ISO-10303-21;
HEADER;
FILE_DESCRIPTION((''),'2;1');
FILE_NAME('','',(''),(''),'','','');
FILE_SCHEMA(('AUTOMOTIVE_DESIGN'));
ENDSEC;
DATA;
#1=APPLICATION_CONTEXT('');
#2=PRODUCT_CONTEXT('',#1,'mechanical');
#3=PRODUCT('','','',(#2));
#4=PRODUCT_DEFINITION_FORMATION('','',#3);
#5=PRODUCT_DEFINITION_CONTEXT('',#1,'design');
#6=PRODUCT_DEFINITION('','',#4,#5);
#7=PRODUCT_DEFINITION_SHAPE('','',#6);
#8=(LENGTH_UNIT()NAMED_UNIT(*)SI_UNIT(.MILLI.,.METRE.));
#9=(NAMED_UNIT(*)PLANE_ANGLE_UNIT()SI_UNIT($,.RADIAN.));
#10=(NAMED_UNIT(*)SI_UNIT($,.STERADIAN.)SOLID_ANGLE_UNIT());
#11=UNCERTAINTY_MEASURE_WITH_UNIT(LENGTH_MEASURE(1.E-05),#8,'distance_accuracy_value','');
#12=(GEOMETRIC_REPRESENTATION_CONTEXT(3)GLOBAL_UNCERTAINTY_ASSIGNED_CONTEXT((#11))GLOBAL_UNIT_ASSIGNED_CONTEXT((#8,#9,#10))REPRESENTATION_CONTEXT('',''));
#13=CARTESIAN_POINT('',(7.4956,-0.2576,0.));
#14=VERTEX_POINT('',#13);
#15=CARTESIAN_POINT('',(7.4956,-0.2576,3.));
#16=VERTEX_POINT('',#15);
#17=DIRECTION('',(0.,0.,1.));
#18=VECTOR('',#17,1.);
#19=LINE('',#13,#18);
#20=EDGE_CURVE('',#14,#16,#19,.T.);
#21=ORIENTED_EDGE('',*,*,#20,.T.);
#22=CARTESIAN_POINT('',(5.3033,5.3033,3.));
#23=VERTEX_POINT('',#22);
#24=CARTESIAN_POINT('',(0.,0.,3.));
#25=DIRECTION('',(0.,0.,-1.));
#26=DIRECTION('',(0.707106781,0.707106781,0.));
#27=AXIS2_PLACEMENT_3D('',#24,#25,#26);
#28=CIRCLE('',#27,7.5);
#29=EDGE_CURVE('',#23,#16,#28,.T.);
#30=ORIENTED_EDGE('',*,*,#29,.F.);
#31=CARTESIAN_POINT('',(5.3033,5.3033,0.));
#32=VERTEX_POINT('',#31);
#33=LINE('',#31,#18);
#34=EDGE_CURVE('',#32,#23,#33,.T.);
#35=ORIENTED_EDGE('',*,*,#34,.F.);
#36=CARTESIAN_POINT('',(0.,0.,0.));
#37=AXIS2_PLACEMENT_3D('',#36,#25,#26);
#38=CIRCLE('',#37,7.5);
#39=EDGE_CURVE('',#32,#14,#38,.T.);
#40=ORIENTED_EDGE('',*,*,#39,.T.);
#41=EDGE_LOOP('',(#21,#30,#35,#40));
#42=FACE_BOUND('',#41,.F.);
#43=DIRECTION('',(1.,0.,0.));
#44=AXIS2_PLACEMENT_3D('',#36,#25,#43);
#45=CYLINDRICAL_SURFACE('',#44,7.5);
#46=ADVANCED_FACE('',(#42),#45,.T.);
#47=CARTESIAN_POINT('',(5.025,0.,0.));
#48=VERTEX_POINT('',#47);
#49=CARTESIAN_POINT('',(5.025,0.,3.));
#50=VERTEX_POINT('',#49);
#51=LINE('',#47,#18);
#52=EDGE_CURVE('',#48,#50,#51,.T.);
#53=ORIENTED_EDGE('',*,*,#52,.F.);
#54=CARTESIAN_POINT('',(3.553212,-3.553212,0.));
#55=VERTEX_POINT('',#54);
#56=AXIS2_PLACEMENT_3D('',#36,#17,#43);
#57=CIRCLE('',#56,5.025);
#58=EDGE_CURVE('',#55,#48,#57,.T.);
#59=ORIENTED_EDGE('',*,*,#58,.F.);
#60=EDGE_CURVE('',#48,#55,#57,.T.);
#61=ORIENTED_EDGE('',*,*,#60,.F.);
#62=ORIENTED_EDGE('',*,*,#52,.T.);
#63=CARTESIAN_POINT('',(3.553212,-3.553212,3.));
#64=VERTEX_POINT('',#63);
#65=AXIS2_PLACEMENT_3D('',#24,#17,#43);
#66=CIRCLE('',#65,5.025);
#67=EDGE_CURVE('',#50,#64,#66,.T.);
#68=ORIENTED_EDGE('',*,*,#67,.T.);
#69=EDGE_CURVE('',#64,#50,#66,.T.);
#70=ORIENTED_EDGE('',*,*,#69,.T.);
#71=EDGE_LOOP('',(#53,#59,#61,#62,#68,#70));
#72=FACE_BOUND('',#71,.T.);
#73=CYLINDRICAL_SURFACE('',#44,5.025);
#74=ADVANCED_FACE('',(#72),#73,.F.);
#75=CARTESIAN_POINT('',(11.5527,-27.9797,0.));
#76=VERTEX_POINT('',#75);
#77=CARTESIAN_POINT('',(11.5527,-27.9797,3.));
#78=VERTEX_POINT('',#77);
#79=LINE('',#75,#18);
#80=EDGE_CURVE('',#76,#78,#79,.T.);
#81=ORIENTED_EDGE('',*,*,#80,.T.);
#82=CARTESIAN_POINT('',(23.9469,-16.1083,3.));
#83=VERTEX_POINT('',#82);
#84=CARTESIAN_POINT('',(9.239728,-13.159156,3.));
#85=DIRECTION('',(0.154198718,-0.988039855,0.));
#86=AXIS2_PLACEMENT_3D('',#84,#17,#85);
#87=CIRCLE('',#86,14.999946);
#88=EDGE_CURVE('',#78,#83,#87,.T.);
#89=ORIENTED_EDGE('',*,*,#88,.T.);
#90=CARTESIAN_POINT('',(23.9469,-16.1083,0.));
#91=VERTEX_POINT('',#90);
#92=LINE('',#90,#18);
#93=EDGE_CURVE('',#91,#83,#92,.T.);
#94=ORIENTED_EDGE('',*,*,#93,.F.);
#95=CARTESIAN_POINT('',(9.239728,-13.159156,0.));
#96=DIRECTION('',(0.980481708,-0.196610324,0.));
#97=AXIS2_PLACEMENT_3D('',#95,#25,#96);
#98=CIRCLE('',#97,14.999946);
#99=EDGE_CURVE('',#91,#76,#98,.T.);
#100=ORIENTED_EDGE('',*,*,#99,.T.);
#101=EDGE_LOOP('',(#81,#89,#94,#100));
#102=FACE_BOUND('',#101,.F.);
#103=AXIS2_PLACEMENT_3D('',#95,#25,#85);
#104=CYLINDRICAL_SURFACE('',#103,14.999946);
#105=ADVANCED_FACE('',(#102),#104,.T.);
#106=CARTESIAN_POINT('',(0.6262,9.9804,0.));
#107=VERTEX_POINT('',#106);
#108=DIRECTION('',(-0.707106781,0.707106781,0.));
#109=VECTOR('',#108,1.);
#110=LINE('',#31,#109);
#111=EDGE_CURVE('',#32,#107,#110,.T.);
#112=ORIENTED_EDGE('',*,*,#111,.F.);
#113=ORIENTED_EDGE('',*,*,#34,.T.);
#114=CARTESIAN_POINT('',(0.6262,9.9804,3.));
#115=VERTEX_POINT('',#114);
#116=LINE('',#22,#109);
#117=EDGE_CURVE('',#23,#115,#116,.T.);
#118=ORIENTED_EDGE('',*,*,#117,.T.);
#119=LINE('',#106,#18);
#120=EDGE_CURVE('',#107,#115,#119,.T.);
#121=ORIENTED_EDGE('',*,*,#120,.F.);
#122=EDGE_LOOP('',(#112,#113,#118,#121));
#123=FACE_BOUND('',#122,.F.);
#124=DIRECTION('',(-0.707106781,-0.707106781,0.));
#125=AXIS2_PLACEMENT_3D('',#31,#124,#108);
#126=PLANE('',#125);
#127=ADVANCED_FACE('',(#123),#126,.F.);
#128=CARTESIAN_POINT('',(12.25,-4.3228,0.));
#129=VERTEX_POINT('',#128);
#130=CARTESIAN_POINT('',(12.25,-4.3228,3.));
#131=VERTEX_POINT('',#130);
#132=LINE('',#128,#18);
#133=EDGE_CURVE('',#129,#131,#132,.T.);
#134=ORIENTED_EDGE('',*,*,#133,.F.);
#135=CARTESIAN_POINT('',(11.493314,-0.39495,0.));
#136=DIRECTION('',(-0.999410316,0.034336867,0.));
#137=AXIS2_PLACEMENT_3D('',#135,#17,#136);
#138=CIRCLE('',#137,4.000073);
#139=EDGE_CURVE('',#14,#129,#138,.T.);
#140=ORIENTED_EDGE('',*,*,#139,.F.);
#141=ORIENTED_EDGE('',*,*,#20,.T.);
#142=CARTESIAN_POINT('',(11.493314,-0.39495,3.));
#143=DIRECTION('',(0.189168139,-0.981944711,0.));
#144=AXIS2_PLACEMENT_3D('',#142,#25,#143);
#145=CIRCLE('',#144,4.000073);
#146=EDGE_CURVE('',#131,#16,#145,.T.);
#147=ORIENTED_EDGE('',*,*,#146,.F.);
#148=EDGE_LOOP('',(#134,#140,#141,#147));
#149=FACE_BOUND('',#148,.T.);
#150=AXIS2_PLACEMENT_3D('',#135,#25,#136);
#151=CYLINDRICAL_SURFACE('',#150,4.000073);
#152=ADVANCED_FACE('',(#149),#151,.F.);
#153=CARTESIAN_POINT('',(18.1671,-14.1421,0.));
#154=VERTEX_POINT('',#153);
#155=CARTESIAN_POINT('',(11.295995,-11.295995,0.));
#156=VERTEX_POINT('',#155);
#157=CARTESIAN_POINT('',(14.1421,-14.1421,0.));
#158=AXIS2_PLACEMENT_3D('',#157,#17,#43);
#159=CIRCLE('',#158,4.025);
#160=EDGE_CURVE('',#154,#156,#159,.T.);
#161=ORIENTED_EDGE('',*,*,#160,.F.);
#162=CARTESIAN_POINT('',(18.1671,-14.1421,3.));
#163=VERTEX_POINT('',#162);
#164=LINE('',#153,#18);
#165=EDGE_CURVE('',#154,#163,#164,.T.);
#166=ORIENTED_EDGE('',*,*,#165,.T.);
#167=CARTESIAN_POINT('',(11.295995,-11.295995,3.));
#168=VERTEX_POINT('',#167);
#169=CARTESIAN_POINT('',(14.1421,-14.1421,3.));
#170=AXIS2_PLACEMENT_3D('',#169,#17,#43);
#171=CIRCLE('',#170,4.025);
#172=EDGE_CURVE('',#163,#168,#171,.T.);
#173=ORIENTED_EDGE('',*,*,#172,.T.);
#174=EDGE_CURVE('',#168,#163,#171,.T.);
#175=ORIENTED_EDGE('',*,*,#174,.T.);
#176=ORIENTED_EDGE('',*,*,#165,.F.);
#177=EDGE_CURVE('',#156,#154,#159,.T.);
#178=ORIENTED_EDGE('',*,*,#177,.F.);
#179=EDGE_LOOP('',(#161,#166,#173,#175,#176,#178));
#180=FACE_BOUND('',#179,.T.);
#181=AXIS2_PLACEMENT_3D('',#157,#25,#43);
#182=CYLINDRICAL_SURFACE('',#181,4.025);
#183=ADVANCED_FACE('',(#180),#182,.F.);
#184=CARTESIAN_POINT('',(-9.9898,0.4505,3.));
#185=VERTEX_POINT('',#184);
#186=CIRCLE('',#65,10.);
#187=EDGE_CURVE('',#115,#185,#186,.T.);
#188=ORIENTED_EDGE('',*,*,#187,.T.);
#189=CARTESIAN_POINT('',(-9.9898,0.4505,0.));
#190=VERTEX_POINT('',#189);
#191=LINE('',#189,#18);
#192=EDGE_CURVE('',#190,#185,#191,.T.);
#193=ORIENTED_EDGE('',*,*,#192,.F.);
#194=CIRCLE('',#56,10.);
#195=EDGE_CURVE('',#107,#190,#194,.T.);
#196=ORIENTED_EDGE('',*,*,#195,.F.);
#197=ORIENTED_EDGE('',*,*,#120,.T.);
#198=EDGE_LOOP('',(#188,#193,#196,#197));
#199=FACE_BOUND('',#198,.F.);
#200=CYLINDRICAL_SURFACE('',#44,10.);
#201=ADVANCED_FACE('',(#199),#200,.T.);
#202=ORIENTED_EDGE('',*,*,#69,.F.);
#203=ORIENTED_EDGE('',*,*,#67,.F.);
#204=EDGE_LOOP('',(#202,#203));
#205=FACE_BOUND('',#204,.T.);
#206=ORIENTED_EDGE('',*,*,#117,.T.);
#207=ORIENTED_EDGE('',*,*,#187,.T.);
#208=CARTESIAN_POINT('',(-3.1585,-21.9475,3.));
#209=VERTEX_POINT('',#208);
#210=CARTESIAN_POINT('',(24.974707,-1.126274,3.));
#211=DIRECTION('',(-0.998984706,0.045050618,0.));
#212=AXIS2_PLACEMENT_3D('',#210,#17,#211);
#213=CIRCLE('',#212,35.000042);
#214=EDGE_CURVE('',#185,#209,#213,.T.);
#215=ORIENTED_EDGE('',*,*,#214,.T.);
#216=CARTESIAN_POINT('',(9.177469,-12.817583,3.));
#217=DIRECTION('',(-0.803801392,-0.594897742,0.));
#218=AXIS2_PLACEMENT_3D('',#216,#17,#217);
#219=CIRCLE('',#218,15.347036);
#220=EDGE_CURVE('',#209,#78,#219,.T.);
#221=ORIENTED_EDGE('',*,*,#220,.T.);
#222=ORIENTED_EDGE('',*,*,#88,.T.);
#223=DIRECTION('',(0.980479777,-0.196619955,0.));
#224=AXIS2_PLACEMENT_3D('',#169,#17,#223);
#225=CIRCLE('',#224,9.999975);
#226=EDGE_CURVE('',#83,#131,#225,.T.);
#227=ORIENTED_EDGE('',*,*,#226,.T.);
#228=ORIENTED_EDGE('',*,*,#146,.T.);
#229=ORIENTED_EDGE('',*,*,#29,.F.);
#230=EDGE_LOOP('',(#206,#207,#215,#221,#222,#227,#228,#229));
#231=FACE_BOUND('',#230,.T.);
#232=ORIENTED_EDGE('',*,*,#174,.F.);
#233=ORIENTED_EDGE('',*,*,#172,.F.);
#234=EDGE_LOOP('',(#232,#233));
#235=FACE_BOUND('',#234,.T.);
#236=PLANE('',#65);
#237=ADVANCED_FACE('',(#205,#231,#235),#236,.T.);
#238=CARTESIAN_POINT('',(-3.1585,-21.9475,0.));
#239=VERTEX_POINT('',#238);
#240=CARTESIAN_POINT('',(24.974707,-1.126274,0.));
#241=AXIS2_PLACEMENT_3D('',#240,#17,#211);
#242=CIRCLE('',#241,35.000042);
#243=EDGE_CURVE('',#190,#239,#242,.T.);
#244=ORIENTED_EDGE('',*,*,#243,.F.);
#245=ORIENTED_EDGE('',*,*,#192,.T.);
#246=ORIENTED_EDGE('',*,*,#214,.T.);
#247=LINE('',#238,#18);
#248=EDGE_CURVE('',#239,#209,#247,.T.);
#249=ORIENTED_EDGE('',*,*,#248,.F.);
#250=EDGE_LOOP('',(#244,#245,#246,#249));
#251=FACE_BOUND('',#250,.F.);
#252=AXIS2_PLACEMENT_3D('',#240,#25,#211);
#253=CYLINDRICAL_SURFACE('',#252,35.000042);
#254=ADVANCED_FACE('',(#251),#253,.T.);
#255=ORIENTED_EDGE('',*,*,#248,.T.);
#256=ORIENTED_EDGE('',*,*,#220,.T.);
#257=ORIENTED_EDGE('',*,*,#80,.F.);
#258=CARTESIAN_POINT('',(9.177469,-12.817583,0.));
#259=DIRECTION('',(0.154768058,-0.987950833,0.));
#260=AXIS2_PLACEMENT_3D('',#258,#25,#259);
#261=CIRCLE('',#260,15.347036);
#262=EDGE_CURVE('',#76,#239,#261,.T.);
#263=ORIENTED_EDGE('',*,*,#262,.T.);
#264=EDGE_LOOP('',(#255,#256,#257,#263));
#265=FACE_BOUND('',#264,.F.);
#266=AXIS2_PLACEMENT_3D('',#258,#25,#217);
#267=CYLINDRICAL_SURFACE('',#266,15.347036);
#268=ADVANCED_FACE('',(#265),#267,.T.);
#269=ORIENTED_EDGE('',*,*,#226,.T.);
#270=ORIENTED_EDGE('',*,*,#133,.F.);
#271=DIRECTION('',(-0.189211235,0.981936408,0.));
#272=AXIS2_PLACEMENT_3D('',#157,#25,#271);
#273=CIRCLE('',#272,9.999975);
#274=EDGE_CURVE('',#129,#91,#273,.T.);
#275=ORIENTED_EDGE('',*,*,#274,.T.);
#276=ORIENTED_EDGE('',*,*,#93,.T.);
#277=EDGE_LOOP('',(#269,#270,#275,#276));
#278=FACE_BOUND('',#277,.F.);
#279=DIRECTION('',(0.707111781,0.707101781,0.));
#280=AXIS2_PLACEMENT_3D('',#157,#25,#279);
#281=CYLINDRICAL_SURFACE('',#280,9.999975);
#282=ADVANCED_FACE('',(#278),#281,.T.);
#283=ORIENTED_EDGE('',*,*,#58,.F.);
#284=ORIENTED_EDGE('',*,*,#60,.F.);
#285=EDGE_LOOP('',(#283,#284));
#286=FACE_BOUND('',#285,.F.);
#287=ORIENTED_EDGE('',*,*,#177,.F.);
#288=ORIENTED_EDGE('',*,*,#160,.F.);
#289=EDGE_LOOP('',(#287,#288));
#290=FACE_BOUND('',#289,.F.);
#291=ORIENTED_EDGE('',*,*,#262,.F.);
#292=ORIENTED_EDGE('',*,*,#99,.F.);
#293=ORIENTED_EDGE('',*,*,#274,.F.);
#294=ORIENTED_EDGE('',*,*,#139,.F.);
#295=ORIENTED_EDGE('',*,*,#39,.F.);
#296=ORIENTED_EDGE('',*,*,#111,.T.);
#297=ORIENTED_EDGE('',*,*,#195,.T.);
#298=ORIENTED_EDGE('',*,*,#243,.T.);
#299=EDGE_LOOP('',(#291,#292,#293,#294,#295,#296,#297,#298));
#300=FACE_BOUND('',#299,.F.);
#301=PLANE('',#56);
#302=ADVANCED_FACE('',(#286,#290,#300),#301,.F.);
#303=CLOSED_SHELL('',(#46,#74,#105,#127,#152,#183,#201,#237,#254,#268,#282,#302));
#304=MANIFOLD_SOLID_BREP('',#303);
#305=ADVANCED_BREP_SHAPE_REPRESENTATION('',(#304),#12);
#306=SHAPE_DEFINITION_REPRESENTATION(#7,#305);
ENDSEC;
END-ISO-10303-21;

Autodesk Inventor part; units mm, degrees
ref_plane "YZ Plane" through (0, 0, 0) normal (1, 0, 0) x (0, 1, 0)
ref_plane "XZ Plane" through (0, 0, 0) normal (0, 1, 0) x (-1, 0, 0)
ref_plane "XY Plane" through (0, 0, 0) normal (0, 0, 1) x (1, 0, 0)
sketch "スケッチ1" plane through (0, 0, 0) normal (0, 0, 1) x (1, 0, 0)
  circle A0 centre (0, 0) radius 5.025
  circle A1 centre (0, 0) radius 10
  line L0 (0, 0) -> (14.1421, -14.1421)
  line L1 (0, 0) -> (20, 0) construction
  line L2 (0, 0) -> (14.1421, -14.1421) construction
  line L3 (-7.0711, -7.0711) -> (7.0711, -21.2132)
  line L4 (21.2132, -7.0711) -> (7.0711, 7.0711)
  arc A2 (7.0711, 7.0711) -> (-7.0711, -7.0711) centre (0, 0) ccw
  arc A3 (7.0711, -21.2132) -> (21.2132, -7.0711) centre (14.1421, -14.1421) ccw
  circle A4 centre (14.1421, -14.1421) radius 4.025
  circle A5 centre (14.1421, -14.1421) radius 13
  circle A6 centre (14.1421, -14.1421) radius 14
  line L5 (4.2426, -24.0416) -> (21.0227, -40.8217)
  line L6 (21.0227, -40.8217) -> (47.0109, -27.2119)
  line L7 (47.0109, -27.2119) -> (24.0416, -4.2426)
  arc A7 (12.0122, -27.9792) -> (10.7234, -30.5224) centre (11.784, -29.4617) ccw
  line L8 (-8.3867, -5.4464) -> (8.8712, -32.0212)
  arc A8 (10.5855, -29.4018) -> (10.585, -29.4134) centre (11.784, -29.4617) ccw
  line L9 (4.2426, -24.0416) -> (21.0227, -40.8217)
  line L10 (21.0227, -40.8217) -> (47.0109, -27.2119)
  line L11 (47.0109, -27.2119) -> (24.0416, -4.2426)
  arc A9 (8.8712, -32.0212) -> (10.7228, -30.5218) centre (9.8758, -31.3688) ccw
  arc A10 (11.5527, -27.9797) -> (10.7228, -30.5218) centre (11.784, -29.4617) ccw
  arc A11 (11.5527, -27.9797) -> (23.9469, -16.1083) centre (9.2397, -13.1591) ccw
  arc A12 (-9.9898, 0.4505) -> (9.3407, -32.4405) centre (24.9746, -1.1263) ccw
  arc A13 (21.2132, -7.0711) -> (7.0711, -21.2132) centre (14.1421, -14.1421) ccw
  arc A14 (7.4956, -0.2576) -> (12.25, -4.3228) centre (11.4932, -0.395) ccw
  circle A15 centre (0, 0) radius 7.5
  line L12 (5.3033, 5.3033) -> (0.6262, 9.9804)
  arc A16 (-3.1585, -21.9475) -> (11.5527, -27.9797) centre (9.1773, -12.8178) ccw
  point P0 (7.0711, -7.0711)
  point P1 (7.0711, 7.0711)
  point P2 (10.4941, -23.453)
  point P3 (-8.3867, -5.4464)
  point P4 (9.5568, -27.6782)
  point P5 (9.5574, -27.6666)
  point P6 (-9.9898, 0.4505)
  point P7 (10.7234, -30.5224)
  point P8 (11.5527, -27.9797)
  point P9 (9.2796, -3.7267)
  point P10 (0.6262, 9.9804)
  dimension "d0" = 10.05
  dimension "d1" = 20
  dimension "d2" = 20
  dimension "d3" = 45
  dimension "d6" = 8.05
  dimension "d7" = 26
  dimension "d8" = 1
  dimension "d9" = 1.5
  dimension "d14" = 0
  dimension "d15" = 0
  dimension "d17" = 15
  dimension "d18" = 168
  dimension "d19" = 35
  dimension "d20" = 4
  dimension "d21" = 15
extrude "押し出し1" add sketch "スケッチ1" along normal blind 3 contours A6 A15 | A6 A15 A5 L0 | L0 A5 A15 A6 | A5 A15 L0 | L0 A15 A5 | A15 A14 A6 | A6 A14 A5 A15 | A15 A5 A1 A6 | A6 A1 L12 A15 | A15 A5 A14 A1 L0 | L0 A1 A5 A15 | A6 L3 A1 | A1 A5 L3 A6 | A13 L3 A5 A1 | A1 A14 A13 | A13 A3 | L3 A6 L5 A16 L8 A1 | L3 A5 A11 A6 | A3 A11 A5 L3 | L8 A16 A12 A1 | A6 A11 A16 L5
properties part number "従動節"
